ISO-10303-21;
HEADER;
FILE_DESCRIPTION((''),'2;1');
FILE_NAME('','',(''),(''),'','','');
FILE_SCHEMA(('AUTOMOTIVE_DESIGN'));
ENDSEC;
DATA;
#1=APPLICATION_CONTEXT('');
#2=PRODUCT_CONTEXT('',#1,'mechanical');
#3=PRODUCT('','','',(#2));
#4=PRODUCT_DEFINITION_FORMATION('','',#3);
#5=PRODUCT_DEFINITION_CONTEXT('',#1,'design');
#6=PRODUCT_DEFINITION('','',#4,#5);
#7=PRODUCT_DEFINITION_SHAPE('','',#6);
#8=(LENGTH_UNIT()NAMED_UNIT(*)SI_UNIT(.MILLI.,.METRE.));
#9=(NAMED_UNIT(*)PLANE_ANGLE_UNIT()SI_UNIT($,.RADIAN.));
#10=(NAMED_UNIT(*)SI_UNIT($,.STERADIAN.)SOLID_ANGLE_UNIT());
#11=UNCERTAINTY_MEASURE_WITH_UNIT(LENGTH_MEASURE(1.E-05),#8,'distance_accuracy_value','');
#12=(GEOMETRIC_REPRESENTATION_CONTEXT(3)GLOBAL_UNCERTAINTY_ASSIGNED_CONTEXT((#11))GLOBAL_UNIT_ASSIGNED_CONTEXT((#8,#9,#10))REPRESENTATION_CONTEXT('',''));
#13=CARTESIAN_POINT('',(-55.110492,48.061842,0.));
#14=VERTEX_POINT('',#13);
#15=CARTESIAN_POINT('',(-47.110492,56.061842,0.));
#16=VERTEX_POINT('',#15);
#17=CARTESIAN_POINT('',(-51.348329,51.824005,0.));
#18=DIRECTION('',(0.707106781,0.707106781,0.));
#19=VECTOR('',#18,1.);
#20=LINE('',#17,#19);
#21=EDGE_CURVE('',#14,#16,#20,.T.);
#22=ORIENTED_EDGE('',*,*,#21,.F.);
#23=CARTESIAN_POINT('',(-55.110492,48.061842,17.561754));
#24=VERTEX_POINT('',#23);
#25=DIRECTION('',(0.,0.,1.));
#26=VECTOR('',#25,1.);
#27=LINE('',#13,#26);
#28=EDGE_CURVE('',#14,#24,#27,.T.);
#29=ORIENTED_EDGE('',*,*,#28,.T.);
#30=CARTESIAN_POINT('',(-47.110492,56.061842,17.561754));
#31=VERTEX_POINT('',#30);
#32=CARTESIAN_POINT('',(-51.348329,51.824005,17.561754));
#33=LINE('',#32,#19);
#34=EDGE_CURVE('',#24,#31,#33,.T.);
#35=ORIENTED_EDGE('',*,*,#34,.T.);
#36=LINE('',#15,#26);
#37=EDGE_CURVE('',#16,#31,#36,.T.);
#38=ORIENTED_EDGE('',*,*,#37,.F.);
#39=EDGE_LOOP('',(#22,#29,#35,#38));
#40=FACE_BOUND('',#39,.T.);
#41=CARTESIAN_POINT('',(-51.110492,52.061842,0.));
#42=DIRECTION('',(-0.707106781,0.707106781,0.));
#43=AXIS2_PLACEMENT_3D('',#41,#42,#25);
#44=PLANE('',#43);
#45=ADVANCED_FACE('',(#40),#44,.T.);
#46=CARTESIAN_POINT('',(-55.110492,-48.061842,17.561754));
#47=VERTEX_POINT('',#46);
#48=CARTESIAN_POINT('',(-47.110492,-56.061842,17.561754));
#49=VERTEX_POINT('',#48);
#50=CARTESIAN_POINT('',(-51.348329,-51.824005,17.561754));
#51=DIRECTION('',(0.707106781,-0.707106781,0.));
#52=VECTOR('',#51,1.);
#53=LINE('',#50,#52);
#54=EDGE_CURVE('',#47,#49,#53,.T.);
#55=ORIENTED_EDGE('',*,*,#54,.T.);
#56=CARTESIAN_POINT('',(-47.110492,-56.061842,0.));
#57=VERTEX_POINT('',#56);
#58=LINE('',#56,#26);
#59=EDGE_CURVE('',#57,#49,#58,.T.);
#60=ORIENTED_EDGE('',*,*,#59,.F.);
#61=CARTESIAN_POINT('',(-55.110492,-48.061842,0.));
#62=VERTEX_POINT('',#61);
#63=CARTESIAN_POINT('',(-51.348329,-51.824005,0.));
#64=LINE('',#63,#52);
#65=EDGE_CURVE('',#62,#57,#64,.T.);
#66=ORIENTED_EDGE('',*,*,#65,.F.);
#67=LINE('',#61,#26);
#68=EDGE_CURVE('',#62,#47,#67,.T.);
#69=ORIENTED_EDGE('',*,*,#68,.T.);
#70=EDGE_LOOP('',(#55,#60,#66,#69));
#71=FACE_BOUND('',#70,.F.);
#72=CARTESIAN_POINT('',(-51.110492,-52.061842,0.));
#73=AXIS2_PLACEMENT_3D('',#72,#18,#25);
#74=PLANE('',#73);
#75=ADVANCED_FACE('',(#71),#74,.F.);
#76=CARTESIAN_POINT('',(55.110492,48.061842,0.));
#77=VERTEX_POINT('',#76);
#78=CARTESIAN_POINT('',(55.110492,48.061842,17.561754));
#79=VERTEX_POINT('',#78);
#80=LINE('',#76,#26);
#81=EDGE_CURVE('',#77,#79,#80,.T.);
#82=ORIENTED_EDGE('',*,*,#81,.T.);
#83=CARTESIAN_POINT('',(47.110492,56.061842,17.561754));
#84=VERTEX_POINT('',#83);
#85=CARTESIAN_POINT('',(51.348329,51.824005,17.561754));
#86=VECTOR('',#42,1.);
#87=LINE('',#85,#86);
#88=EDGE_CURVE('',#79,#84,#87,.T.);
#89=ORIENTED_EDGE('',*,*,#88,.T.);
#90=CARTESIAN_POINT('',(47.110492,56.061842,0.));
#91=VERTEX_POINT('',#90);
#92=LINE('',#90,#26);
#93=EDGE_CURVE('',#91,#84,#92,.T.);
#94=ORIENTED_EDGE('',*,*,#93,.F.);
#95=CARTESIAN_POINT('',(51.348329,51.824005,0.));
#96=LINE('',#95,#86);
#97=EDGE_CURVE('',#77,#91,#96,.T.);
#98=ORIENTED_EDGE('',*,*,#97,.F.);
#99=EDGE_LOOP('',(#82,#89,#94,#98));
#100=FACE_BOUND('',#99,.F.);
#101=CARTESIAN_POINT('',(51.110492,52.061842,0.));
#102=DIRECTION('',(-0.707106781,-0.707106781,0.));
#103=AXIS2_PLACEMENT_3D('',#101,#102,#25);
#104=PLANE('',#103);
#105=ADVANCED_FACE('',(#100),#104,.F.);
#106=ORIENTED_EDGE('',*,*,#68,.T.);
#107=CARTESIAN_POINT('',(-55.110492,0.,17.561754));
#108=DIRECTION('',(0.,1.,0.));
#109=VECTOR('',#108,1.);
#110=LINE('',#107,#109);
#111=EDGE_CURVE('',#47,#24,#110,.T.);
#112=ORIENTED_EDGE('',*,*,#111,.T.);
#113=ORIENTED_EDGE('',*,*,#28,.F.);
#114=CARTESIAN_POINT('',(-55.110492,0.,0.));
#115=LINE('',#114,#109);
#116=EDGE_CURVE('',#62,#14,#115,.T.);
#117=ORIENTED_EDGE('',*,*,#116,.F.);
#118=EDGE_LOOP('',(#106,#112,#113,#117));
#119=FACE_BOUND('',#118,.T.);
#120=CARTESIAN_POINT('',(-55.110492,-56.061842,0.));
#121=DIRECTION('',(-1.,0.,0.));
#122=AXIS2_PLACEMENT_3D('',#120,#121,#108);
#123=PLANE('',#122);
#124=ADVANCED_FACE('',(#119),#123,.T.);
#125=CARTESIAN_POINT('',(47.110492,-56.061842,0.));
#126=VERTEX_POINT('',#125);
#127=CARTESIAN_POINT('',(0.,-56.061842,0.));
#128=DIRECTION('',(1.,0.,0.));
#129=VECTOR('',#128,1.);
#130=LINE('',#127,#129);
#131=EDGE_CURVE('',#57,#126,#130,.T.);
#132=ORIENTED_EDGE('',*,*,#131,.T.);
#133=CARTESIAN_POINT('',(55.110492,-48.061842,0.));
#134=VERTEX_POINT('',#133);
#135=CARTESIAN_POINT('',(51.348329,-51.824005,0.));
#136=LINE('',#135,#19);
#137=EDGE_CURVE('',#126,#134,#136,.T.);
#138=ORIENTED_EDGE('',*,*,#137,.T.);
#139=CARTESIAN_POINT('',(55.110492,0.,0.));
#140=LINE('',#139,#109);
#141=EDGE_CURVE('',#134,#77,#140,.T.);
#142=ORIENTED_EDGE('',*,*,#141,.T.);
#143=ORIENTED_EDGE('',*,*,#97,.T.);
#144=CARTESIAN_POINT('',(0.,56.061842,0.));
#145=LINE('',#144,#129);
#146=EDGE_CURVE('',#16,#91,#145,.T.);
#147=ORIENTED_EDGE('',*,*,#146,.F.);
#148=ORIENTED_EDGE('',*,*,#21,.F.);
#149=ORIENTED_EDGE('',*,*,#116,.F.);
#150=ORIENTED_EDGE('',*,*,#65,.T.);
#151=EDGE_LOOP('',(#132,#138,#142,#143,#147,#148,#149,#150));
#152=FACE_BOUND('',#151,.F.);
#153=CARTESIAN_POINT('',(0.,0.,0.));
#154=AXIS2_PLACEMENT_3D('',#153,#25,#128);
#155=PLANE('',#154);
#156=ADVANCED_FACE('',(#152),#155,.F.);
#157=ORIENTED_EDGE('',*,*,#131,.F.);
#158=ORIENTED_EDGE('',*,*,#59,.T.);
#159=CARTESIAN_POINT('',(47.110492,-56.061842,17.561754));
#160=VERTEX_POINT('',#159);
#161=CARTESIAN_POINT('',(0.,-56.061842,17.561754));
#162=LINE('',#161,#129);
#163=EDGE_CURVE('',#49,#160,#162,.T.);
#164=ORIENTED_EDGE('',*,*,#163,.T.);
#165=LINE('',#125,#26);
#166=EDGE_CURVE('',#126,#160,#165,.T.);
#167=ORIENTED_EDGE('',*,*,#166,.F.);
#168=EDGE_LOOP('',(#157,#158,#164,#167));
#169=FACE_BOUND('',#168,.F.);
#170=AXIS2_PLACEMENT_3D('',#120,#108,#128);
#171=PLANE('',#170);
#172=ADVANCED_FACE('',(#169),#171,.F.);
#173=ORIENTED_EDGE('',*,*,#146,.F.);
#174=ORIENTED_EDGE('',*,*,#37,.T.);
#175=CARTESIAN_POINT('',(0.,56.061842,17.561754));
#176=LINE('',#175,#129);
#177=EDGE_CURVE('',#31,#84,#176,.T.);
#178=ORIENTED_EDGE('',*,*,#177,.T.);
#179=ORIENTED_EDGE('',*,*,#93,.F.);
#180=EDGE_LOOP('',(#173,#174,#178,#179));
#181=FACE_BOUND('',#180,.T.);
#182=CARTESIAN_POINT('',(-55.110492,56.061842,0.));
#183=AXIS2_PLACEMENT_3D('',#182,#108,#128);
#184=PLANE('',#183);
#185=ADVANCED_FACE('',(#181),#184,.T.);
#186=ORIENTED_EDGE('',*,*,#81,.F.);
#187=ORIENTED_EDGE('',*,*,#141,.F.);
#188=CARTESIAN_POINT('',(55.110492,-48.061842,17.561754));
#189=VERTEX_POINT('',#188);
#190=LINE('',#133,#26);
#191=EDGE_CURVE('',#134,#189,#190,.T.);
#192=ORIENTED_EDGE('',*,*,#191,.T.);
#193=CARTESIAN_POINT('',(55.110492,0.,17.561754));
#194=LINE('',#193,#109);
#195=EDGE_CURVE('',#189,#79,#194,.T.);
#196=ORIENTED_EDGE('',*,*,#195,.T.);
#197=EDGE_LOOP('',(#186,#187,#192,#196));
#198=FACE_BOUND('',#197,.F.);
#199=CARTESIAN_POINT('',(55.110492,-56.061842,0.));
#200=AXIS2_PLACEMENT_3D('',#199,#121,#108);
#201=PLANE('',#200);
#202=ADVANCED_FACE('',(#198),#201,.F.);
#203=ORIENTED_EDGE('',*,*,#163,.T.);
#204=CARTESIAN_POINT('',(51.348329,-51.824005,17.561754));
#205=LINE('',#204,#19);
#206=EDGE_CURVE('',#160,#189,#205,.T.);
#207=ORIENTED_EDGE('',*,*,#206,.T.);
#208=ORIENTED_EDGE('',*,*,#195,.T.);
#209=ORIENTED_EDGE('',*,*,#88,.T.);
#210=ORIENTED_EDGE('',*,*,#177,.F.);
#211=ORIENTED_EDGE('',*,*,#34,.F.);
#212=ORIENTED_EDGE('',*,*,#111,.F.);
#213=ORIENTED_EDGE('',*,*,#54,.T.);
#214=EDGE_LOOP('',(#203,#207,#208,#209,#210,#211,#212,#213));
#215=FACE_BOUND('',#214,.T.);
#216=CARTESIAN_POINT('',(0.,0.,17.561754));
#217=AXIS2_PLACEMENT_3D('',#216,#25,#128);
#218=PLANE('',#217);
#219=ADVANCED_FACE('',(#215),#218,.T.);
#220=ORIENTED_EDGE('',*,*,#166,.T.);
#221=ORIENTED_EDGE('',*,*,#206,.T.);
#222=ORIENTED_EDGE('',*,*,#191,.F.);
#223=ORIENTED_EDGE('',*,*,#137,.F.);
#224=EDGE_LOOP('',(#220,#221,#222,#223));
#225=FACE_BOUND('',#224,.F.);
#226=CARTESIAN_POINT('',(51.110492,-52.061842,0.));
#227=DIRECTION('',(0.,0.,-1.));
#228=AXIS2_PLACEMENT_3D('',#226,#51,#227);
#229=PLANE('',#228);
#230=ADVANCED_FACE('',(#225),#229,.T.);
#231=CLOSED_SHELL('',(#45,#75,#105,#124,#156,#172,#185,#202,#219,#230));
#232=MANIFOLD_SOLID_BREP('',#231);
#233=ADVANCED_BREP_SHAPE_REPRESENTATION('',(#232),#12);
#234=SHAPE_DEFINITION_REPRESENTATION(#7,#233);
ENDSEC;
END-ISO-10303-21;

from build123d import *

# Parameters (mm, degrees)
F0_W     = 110.220984
F0_H     = 112.123684
F1_DEPTH = 17.561754
F2_SIZE  = 8


with BuildPart() as f1:
    # F0 (on Top) → F1 (new body)
    with BuildSketch(Plane.XY):
        Rectangle(F0_W, F0_H)
    extrude(amount=F1_DEPTH)

    # F2
    f2_edges = [f1.edges().sort_by_distance(p)[0] for p in [
        (-55.110492, 56.061842, 8.780877),
        (-55.110492, -56.061842, 8.780877),
        (55.110492, 56.061842, 8.780877),
        (55.110492, -56.061842, 8.780877),
    ]]
    chamfer(f2_edges, length=F2_SIZE)


solid = f1.part
